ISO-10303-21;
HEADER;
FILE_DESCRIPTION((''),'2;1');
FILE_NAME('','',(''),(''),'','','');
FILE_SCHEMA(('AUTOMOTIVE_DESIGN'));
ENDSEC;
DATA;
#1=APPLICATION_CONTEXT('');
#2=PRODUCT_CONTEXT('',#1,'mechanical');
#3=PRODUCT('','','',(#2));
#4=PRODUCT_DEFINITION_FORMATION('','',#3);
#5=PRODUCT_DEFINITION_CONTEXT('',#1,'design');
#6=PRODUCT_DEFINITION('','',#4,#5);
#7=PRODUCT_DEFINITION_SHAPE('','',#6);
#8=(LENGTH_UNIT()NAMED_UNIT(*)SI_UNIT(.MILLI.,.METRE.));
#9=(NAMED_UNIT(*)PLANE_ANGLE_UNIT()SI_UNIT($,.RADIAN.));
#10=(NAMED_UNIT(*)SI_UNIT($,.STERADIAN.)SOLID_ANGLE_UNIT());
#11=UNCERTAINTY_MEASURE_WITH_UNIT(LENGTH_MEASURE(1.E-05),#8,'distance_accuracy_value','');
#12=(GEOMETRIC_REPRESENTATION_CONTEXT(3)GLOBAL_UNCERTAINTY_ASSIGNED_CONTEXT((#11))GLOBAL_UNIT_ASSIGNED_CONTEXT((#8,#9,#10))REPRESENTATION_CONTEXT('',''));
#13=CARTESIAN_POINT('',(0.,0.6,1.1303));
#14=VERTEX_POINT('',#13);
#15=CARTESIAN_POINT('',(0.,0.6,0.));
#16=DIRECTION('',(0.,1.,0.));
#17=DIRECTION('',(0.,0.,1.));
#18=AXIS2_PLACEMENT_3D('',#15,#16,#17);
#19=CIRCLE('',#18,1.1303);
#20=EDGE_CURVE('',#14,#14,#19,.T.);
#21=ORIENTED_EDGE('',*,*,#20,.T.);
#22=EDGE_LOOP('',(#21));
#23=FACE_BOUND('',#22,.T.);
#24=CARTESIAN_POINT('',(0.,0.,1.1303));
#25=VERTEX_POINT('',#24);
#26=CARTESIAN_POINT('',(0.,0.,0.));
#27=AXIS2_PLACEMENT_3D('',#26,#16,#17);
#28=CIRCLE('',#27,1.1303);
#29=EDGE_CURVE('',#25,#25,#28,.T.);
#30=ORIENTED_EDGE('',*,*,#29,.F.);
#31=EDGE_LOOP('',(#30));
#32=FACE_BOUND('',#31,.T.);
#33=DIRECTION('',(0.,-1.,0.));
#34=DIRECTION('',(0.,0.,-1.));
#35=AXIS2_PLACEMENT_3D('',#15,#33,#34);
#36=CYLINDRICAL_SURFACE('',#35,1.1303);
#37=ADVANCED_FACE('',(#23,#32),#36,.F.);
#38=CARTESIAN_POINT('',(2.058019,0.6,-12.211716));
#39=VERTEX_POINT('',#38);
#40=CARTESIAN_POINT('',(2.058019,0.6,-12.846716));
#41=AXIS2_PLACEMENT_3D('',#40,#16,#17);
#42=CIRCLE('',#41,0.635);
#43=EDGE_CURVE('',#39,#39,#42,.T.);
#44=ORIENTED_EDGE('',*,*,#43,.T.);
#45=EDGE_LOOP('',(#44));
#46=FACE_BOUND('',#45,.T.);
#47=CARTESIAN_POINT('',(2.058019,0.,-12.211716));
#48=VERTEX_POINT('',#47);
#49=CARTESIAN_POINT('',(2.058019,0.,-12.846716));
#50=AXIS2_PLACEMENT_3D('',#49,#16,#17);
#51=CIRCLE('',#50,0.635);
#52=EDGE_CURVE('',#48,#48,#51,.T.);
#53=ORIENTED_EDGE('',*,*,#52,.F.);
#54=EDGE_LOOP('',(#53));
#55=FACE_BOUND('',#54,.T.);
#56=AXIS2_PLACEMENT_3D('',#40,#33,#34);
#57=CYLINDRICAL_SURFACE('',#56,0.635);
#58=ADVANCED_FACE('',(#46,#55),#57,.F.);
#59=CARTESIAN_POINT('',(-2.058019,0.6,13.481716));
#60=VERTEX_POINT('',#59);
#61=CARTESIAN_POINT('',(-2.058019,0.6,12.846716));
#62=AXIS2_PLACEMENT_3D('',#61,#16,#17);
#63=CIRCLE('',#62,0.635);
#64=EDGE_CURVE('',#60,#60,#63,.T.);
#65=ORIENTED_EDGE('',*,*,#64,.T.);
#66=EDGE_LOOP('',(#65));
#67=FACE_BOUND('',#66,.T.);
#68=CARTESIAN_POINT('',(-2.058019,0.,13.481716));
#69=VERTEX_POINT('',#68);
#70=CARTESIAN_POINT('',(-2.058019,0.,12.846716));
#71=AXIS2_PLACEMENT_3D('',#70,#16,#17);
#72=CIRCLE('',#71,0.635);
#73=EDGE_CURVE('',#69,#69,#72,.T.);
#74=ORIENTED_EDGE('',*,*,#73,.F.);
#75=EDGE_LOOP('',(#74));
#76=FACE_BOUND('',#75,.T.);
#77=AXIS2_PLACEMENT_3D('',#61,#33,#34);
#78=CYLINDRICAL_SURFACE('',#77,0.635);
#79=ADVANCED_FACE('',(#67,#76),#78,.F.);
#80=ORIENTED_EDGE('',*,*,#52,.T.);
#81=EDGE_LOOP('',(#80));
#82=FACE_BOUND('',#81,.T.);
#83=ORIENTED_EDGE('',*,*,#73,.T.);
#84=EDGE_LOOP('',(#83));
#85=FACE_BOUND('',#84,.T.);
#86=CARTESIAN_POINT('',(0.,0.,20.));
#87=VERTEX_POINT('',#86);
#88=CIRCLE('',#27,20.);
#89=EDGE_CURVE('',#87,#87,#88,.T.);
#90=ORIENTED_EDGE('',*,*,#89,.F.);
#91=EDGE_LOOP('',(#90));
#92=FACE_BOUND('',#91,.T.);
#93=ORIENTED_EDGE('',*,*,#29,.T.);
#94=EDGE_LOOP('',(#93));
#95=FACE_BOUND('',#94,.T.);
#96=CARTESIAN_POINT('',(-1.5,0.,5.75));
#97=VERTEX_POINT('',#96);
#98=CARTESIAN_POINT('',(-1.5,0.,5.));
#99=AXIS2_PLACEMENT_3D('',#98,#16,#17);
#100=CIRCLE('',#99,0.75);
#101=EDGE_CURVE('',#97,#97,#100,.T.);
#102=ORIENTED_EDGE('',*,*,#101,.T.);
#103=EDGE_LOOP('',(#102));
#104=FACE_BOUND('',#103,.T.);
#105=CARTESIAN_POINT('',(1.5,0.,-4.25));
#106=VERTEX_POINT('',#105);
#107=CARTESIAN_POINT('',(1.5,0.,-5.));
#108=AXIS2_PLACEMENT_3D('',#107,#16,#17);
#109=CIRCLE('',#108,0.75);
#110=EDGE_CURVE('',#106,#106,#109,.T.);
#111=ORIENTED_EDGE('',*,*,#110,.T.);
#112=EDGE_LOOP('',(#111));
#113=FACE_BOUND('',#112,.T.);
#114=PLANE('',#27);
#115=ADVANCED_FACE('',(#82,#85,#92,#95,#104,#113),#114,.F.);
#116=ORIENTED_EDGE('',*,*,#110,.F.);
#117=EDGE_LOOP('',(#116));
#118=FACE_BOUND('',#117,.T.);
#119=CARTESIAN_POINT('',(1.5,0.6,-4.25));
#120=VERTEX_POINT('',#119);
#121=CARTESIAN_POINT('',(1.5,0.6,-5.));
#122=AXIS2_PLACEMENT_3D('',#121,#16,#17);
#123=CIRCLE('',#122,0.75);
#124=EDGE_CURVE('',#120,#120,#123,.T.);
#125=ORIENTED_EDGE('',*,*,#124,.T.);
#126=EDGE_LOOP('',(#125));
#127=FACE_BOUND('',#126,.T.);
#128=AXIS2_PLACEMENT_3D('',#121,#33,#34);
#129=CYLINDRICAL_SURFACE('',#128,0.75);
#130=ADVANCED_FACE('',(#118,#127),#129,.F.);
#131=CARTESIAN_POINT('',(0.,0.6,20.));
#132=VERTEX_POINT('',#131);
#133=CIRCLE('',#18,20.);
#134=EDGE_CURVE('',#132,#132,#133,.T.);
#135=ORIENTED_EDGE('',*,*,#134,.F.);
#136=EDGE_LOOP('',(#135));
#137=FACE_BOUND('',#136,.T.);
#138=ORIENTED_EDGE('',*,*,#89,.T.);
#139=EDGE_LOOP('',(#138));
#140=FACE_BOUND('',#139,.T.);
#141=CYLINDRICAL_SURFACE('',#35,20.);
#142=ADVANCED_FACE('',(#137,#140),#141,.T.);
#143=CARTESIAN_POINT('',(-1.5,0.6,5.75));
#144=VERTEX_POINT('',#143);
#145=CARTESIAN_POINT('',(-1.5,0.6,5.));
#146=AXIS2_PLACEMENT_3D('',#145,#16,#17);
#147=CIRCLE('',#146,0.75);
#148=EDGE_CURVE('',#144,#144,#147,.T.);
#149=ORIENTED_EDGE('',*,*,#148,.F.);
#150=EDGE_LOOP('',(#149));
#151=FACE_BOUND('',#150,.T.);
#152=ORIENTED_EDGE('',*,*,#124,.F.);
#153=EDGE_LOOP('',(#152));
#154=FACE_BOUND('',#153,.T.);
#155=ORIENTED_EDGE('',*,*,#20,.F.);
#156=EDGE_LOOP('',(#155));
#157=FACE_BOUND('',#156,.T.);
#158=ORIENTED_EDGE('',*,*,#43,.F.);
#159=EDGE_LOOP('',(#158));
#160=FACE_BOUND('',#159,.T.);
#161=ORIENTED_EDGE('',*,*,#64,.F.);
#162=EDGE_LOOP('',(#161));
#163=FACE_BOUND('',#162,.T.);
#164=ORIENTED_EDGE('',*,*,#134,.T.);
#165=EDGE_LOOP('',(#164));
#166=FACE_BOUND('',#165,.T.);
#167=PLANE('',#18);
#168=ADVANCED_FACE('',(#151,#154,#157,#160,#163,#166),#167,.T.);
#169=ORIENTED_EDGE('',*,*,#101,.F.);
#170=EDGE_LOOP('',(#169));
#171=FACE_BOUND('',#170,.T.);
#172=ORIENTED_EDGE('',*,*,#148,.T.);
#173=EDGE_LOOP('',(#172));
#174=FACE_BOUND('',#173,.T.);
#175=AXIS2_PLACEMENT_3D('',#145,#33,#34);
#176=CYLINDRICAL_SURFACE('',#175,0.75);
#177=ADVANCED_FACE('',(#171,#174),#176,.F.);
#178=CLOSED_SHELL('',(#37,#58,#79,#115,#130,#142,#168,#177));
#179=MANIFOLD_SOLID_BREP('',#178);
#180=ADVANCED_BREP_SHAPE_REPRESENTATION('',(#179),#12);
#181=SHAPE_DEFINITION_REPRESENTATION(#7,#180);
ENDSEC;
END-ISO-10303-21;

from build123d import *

# Parameters (mm, degrees)
SKETCH1_R   = 20
SKETCH1_R_2 = 1.1303
SKETCH1_R_3 = 0.75
SKETCH1_R_4 = 0.635
PCB_DEPTH   = 0.6


with BuildPart() as part:
    # Sketch1 → PCB (new body)
    with BuildSketch(Plane(origin=(0, 0, 0), x_dir=(1, 0, 0), z_dir=(0, 1, 0))):
        with Locations(Location((0, 0, 0), (0, 0, 270))):
            Circle(SKETCH1_R)
        with Locations(Location((0, 0, 0), (0, 0, 270))):
            Circle(SKETCH1_R_2, mode=Mode.SUBTRACT)
        with Locations(Location((1.5, 5, 0), (0, 0, 270))):
            Circle(SKETCH1_R_3, mode=Mode.SUBTRACT)
        with Locations(Location((-1.5, -5, 0), (0, 0, 270))):
            Circle(SKETCH1_R_3, mode=Mode.SUBTRACT)
        with Locations(Location((2.05801875, 12.846715625, 0), (0, 0, 270))):
            Circle(SKETCH1_R_4, mode=Mode.SUBTRACT)
        with Locations(Location((-2.05801875, -12.846715625, 0), (0, 0, 270))):
            Circle(SKETCH1_R_4, mode=Mode.SUBTRACT)
    extrude(amount=PCB_DEPTH)


solid = part.part
